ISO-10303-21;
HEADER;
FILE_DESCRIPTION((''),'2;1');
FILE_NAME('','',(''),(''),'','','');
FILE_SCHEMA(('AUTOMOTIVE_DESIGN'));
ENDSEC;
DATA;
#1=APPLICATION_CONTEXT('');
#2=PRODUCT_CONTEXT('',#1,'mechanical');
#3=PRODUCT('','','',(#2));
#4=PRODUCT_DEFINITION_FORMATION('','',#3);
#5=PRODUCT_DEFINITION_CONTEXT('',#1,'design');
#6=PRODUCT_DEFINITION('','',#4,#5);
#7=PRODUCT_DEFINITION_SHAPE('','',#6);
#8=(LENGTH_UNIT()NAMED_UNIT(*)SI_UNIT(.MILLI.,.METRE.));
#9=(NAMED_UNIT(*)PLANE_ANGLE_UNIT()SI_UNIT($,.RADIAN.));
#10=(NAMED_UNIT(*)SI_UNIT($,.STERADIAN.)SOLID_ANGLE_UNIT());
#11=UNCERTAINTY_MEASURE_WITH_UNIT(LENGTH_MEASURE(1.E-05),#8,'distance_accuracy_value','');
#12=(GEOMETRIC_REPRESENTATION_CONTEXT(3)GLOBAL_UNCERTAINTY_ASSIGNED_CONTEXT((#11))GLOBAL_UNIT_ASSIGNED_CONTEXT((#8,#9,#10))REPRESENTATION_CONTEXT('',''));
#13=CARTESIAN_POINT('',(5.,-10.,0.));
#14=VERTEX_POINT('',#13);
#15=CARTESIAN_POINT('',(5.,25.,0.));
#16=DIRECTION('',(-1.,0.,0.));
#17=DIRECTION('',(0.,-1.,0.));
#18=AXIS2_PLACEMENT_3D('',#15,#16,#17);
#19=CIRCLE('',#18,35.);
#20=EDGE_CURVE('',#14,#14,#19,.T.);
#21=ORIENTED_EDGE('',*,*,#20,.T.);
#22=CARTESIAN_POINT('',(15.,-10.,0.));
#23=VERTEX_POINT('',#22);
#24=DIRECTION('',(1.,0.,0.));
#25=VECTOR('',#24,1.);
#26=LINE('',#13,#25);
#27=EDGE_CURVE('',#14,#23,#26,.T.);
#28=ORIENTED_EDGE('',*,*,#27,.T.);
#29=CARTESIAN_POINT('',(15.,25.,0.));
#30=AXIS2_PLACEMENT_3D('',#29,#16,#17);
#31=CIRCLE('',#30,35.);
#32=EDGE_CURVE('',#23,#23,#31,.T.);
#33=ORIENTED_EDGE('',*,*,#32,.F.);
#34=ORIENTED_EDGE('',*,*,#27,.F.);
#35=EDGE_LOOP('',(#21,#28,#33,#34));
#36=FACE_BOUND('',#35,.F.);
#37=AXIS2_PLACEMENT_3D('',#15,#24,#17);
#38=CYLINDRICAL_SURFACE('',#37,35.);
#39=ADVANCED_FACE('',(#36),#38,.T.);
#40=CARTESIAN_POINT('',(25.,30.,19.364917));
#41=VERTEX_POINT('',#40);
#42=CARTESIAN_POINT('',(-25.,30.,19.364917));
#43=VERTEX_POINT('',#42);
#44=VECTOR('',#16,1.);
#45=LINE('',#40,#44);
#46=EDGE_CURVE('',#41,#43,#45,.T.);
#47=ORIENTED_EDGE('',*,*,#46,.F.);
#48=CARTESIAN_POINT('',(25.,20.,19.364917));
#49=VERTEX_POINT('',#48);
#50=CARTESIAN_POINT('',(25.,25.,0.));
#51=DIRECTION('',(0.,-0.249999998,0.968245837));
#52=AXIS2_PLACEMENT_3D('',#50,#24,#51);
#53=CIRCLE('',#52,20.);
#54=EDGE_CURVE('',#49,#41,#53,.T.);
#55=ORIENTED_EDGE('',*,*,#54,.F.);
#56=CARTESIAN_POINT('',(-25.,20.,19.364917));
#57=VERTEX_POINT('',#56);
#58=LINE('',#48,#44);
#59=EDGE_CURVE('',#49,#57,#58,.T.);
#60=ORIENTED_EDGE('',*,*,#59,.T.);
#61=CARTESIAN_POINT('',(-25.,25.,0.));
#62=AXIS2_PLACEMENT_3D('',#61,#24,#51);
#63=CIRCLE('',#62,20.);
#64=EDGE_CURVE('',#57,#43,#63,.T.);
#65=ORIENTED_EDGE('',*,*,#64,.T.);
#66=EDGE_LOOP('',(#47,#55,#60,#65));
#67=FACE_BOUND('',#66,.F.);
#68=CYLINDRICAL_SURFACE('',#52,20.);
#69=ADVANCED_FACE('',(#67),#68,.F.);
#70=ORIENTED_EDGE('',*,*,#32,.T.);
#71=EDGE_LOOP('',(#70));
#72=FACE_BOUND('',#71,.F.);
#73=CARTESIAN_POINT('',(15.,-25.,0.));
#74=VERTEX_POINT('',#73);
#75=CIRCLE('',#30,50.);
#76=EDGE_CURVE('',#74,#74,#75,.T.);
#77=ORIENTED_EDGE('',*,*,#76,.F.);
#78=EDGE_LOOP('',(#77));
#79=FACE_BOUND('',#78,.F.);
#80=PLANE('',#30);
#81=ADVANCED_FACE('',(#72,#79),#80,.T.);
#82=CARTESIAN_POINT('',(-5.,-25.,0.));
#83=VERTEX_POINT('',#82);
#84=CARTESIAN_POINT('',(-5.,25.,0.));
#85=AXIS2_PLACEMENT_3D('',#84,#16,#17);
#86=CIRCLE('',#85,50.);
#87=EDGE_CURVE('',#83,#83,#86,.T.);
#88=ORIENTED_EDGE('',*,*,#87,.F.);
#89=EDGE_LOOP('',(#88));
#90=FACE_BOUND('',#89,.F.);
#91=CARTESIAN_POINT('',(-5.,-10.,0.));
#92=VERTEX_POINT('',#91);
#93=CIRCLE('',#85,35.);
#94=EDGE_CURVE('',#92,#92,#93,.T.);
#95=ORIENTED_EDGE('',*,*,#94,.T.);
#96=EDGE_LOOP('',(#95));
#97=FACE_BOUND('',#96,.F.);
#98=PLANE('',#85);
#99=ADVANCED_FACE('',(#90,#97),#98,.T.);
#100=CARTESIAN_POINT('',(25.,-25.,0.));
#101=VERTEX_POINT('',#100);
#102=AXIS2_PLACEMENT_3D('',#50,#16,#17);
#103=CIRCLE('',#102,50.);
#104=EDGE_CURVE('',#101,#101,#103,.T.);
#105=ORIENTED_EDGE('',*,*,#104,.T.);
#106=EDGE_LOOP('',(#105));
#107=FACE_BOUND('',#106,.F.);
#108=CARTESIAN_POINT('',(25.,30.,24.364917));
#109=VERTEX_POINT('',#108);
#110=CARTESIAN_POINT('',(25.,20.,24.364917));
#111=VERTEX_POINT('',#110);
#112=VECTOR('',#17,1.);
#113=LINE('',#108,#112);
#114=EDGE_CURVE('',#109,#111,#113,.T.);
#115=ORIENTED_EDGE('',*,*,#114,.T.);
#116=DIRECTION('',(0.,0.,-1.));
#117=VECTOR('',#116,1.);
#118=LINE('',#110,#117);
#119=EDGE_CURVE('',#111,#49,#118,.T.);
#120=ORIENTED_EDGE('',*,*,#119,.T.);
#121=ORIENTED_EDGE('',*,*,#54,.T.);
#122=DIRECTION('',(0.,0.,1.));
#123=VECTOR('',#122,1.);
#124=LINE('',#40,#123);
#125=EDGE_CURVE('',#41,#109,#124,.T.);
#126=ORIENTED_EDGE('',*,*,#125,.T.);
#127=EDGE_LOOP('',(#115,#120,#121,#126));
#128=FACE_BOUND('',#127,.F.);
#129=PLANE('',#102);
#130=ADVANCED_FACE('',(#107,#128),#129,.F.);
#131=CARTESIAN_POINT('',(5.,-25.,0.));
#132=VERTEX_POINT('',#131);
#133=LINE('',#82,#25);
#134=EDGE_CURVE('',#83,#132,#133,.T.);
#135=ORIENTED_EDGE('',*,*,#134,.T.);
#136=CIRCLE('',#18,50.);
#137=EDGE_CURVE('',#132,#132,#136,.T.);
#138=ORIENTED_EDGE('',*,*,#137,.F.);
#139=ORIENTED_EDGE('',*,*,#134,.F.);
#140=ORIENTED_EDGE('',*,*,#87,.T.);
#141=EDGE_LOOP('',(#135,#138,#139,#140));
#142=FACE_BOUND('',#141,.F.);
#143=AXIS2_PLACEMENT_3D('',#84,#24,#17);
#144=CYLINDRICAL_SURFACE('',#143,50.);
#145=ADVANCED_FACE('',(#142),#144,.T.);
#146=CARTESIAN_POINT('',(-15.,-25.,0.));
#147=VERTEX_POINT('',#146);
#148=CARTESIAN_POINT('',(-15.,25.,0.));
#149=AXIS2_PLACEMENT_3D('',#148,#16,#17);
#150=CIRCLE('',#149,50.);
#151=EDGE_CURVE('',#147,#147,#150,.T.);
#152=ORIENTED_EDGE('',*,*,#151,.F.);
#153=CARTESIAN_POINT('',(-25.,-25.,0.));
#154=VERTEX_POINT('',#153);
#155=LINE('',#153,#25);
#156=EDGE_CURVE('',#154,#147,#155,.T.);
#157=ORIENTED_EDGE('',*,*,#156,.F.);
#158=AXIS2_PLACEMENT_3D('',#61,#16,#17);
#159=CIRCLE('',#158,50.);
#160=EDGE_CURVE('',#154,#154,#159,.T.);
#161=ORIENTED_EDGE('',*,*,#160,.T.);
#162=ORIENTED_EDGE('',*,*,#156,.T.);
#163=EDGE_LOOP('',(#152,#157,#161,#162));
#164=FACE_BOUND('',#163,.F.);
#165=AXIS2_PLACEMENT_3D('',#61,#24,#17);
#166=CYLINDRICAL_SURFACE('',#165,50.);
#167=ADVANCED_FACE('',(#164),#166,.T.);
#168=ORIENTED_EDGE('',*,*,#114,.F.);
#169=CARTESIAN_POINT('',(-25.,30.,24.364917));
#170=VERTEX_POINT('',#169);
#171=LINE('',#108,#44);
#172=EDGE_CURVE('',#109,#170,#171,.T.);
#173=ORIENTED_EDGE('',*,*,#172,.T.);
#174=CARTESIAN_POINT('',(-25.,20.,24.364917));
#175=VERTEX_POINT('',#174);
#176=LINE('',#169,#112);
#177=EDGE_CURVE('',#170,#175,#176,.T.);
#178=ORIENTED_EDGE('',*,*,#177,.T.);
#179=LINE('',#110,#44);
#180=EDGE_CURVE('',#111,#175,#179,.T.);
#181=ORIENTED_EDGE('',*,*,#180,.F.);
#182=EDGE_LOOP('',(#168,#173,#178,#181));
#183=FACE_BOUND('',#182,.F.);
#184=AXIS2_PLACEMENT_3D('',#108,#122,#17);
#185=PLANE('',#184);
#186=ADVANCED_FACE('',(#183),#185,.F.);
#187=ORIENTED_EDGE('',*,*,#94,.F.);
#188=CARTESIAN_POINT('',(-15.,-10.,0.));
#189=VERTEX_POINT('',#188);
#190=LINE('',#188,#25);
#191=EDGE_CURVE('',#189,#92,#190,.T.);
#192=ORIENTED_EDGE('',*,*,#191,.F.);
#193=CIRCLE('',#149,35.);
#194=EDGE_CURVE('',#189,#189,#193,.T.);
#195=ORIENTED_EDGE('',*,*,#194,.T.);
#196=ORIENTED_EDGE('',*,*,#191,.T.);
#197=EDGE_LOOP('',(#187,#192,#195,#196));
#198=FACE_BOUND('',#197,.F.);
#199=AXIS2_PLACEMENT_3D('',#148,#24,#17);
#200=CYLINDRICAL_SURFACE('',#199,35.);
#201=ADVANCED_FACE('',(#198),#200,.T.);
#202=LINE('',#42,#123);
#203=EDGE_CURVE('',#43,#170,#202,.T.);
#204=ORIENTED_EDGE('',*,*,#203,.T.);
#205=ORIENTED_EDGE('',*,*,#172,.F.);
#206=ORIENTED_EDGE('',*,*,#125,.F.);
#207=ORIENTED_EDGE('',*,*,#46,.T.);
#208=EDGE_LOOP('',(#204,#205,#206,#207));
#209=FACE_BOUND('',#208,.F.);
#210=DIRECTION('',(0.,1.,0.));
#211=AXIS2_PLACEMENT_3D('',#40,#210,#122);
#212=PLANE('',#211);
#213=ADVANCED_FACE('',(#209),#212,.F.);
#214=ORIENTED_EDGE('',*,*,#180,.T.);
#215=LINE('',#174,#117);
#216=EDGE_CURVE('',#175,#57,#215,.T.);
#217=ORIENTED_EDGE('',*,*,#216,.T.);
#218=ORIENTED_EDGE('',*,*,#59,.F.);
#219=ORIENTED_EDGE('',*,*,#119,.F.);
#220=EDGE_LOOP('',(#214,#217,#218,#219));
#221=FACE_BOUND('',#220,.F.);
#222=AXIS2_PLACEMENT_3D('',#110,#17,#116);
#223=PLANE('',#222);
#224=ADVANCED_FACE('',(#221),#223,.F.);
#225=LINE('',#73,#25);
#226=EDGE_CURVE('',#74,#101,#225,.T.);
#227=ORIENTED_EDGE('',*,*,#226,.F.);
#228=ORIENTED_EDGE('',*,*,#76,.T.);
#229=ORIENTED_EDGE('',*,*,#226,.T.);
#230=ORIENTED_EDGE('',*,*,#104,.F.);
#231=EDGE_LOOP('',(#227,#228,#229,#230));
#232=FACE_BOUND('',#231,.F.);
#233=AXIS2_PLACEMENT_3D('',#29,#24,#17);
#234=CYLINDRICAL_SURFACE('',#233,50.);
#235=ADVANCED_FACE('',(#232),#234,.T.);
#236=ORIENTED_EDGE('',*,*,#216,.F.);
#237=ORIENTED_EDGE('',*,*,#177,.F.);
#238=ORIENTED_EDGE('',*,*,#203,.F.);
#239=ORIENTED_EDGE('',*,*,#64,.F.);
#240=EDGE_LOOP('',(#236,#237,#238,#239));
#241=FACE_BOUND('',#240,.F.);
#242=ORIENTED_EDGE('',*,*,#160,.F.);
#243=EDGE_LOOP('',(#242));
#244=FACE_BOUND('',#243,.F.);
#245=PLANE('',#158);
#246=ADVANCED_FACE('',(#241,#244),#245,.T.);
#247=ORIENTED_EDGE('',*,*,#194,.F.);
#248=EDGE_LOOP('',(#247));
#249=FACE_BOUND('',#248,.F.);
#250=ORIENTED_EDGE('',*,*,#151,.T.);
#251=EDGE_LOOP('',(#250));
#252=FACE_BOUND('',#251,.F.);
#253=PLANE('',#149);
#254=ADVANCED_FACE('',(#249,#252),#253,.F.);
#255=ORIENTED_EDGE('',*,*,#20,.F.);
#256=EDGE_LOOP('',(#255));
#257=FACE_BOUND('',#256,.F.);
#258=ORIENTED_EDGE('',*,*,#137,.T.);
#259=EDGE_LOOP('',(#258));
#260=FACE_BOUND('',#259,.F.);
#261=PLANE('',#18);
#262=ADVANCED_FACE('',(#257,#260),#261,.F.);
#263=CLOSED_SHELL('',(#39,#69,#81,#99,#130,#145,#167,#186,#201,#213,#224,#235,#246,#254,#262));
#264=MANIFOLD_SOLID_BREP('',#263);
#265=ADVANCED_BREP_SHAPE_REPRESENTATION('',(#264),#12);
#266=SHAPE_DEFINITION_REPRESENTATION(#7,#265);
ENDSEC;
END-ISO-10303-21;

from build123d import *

# Parameters (mm, degrees)
F3_DEPTH = 50


with BuildPart() as f1:
    # F0 (on Top) → F1 (revolve)
    with BuildSketch(Plane.XY):
        Polygon((15, -25), (25, -25), (25, 25), (-25, 25), (-25, -25), (-15, -25), (-15, -10), (-5, -10), (-5, -25), (5, -25), (5, -10), (15, -10), align=None)
    revolve(axis=Axis((0, 25, 0), (-1, 0, 0)))

    # F2 (on face) → F3 (cut)
    with BuildSketch(Plane.YZ.offset(25)):
        with BuildLine():
            Line((20, 24.364917), (20, 19.364917))
            ThreePointArc((20, 19.364917), (25, -20), (30, 19.364917))
            Line((30, 19.364917), (30, 24.364917))
            Line((30, 24.364917), (25, 24.364917))
            Line((25, 24.364917), (20, 24.364917))
        make_face()
    extrude(amount=-F3_DEPTH, mode=Mode.SUBTRACT)


solid = f1.part
